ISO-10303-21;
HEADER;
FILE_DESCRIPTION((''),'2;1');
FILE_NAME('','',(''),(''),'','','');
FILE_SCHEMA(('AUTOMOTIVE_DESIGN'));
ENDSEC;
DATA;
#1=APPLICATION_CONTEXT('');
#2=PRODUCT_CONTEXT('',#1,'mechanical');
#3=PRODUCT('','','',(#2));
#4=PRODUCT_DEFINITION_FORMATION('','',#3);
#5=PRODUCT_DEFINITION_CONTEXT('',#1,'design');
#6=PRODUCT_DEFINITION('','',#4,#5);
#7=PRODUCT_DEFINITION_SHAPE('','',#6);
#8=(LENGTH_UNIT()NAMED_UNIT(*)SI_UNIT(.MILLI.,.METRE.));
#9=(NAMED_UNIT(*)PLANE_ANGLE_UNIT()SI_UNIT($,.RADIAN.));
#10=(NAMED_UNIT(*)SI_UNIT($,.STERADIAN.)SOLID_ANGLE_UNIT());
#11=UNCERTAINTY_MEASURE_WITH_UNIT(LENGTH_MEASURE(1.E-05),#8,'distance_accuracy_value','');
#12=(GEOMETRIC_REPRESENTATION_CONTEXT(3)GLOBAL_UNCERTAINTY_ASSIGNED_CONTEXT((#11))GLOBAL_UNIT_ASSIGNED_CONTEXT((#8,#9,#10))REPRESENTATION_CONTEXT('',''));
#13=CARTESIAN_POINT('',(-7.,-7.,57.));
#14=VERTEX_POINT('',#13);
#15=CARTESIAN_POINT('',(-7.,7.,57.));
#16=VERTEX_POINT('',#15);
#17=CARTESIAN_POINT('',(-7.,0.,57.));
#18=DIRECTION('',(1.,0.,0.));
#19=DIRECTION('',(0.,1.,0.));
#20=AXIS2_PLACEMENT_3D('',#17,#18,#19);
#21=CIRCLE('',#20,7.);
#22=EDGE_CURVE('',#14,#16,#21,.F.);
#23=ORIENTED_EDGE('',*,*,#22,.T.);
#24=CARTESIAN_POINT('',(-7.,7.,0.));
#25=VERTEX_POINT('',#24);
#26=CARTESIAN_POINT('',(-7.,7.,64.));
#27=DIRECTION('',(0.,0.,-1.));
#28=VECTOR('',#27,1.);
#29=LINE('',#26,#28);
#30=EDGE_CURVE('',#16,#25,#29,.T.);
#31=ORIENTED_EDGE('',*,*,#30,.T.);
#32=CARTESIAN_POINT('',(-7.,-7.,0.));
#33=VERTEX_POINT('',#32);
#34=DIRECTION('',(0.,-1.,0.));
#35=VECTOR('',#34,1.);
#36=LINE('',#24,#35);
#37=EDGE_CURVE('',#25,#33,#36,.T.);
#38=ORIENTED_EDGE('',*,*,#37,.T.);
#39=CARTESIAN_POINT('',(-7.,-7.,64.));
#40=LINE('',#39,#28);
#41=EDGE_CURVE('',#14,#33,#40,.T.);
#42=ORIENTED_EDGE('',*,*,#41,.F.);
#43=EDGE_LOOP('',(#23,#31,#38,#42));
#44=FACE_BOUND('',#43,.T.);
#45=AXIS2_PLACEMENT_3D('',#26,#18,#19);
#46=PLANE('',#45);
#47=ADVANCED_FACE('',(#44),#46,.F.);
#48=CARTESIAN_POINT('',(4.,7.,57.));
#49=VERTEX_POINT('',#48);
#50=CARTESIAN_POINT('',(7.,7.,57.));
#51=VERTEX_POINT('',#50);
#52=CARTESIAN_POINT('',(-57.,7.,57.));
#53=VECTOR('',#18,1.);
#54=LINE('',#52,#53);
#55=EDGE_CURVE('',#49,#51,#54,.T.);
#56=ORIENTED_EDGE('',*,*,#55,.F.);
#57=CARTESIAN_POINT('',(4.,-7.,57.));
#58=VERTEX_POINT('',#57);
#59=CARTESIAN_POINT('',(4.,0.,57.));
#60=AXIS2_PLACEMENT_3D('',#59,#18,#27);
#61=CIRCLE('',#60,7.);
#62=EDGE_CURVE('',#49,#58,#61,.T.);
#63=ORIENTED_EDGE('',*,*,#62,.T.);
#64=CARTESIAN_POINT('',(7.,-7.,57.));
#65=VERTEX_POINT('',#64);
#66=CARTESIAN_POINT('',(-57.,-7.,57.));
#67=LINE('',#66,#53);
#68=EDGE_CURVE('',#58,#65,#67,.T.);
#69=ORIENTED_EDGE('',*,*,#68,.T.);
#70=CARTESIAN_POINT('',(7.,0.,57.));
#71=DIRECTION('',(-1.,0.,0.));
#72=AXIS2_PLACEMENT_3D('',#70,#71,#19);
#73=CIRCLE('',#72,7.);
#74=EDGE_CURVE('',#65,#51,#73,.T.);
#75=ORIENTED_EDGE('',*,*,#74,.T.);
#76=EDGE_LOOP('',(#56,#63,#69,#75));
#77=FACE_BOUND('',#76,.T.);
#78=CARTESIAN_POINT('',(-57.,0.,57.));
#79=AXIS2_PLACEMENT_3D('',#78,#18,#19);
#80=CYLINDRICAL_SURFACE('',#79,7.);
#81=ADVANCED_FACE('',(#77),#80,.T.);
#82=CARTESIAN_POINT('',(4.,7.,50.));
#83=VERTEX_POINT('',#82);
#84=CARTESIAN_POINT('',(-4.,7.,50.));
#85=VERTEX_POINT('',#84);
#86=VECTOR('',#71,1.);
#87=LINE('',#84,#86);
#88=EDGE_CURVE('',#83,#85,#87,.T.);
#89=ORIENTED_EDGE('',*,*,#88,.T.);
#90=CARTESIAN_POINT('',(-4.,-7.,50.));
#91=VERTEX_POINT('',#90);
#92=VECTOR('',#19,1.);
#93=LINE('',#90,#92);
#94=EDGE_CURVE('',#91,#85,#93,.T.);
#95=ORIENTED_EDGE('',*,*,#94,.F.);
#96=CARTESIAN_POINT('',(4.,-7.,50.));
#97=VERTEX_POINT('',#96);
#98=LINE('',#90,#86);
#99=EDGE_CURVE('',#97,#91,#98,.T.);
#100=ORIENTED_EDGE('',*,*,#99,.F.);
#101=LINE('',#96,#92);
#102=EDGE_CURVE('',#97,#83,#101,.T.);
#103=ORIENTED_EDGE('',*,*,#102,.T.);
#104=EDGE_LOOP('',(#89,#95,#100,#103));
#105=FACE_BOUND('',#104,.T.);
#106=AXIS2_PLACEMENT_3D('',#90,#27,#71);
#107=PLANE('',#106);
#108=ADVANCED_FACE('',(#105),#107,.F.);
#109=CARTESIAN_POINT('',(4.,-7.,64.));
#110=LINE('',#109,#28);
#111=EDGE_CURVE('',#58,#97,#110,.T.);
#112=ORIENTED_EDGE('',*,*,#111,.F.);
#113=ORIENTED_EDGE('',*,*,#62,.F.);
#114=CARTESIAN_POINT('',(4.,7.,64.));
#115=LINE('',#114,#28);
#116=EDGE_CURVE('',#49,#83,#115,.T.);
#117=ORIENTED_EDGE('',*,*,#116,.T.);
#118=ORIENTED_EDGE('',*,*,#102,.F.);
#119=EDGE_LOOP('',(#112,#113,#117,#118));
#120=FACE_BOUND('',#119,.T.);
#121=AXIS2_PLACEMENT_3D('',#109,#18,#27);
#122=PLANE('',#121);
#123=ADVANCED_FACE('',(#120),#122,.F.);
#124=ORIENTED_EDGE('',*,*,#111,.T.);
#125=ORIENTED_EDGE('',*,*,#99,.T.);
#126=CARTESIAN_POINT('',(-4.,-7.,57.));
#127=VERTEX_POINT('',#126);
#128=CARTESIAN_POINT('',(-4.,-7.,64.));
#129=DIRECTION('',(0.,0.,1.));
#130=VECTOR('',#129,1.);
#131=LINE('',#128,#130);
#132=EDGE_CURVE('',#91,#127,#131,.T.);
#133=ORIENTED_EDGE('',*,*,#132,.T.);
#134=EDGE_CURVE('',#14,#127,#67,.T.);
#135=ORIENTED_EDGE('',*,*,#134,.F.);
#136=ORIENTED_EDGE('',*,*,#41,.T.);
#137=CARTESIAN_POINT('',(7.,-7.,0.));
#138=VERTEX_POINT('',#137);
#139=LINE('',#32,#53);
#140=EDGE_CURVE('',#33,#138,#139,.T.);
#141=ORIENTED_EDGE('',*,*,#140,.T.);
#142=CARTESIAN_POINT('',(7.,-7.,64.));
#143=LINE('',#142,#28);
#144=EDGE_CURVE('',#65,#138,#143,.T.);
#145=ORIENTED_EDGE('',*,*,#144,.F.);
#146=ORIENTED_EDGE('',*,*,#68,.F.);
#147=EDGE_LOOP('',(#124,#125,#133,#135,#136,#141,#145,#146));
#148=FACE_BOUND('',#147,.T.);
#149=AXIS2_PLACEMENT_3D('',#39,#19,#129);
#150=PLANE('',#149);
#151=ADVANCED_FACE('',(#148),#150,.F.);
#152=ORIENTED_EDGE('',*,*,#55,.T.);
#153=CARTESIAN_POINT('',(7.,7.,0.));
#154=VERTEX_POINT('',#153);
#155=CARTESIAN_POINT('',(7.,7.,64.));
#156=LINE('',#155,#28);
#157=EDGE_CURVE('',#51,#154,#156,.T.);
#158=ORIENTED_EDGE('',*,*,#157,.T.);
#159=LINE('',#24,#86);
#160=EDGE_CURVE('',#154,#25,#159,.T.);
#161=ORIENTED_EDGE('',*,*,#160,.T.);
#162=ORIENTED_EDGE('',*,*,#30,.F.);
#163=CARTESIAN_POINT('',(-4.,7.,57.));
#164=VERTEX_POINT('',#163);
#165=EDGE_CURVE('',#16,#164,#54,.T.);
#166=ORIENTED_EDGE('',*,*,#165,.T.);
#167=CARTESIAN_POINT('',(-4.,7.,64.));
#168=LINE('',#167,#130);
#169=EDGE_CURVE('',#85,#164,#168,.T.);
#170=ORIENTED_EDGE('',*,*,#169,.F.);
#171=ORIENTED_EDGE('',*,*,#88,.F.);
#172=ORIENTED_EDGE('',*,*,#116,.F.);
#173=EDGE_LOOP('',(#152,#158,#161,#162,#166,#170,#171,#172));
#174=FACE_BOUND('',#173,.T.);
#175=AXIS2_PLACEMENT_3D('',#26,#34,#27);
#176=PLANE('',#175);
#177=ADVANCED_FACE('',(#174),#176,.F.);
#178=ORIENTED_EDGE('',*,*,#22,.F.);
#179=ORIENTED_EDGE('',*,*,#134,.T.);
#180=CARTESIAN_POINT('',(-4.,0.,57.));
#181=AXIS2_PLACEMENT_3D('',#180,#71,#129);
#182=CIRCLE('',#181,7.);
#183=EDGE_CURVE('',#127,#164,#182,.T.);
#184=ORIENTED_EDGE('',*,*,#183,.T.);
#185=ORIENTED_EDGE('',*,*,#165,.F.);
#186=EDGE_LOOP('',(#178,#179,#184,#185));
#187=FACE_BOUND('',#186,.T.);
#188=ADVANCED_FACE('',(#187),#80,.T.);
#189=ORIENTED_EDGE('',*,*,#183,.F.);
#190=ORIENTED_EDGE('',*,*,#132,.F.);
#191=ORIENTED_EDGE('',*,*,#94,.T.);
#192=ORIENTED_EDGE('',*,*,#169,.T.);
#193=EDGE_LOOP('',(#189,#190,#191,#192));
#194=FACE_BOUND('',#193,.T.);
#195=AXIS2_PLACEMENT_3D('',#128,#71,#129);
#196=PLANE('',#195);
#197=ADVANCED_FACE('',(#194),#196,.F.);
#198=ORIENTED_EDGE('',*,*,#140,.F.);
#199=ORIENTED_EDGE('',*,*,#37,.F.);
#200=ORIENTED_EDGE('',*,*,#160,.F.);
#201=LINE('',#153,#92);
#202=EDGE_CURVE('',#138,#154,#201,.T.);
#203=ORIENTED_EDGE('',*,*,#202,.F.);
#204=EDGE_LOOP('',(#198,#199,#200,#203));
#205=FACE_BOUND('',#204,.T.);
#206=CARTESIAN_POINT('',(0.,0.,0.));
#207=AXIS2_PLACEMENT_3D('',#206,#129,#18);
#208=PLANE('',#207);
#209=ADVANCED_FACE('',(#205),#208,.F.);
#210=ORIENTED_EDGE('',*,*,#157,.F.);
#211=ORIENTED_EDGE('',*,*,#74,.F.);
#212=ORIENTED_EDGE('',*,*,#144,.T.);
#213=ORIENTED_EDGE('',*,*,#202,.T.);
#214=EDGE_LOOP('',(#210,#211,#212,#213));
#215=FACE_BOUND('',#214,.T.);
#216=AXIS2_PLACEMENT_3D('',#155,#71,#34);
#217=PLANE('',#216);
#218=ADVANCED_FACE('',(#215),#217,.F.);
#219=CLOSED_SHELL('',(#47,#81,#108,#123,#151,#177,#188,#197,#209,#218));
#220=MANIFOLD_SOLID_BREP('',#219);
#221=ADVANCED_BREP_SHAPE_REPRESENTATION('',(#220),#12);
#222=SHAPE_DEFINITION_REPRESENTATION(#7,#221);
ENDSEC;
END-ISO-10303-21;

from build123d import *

# Parameters (mm, degrees)
SKETCH_1_W          = 14
SKETCH_1_H          = 14
EXTRUDE_1_DEPTH     = 64
CUT_EXTRUDE_1_DEPTH = 64
SKETCH_3_W          = 8
SKETCH_3_H          = 14
CUT_EXTRUDE_2_DEPTH = 15


with BuildPart() as part:
    # 草图1 → 凸台-拉伸1 (new body)
    with BuildSketch(Plane.XY):
        Rectangle(SKETCH_1_W, SKETCH_1_H)
    extrude(amount=EXTRUDE_1_DEPTH)

    # 草图2 → 切除-拉伸1 (cut)
    with BuildSketch(Plane(origin=(7, 0, 0), x_dir=(0, 0, -1), z_dir=(1, 0, 0))):
        with BuildLine():
            Line((-57, 7), (-68.546767236, 7))
            Line((-68.546767236, 7), (-68.546767236, -7))
            Line((-68.546767236, -7), (-57, -7))
            ThreePointArc((-57, -7), (-64, 0), (-57, 7))
        make_face()
    extrude(amount=-CUT_EXTRUDE_1_DEPTH, mode=Mode.SUBTRACT)

    # 草图3 → 切除-拉伸2 (cut, through all)
    with BuildSketch(Plane(origin=(0, 7, 0), x_dir=(1, 0, 0), z_dir=(0, 1, 0))):
        with Locations((0, -57)):
            Rectangle(SKETCH_3_W, SKETCH_3_H)
    extrude(amount=-CUT_EXTRUDE_2_DEPTH, mode=Mode.SUBTRACT)


solid = part.part
